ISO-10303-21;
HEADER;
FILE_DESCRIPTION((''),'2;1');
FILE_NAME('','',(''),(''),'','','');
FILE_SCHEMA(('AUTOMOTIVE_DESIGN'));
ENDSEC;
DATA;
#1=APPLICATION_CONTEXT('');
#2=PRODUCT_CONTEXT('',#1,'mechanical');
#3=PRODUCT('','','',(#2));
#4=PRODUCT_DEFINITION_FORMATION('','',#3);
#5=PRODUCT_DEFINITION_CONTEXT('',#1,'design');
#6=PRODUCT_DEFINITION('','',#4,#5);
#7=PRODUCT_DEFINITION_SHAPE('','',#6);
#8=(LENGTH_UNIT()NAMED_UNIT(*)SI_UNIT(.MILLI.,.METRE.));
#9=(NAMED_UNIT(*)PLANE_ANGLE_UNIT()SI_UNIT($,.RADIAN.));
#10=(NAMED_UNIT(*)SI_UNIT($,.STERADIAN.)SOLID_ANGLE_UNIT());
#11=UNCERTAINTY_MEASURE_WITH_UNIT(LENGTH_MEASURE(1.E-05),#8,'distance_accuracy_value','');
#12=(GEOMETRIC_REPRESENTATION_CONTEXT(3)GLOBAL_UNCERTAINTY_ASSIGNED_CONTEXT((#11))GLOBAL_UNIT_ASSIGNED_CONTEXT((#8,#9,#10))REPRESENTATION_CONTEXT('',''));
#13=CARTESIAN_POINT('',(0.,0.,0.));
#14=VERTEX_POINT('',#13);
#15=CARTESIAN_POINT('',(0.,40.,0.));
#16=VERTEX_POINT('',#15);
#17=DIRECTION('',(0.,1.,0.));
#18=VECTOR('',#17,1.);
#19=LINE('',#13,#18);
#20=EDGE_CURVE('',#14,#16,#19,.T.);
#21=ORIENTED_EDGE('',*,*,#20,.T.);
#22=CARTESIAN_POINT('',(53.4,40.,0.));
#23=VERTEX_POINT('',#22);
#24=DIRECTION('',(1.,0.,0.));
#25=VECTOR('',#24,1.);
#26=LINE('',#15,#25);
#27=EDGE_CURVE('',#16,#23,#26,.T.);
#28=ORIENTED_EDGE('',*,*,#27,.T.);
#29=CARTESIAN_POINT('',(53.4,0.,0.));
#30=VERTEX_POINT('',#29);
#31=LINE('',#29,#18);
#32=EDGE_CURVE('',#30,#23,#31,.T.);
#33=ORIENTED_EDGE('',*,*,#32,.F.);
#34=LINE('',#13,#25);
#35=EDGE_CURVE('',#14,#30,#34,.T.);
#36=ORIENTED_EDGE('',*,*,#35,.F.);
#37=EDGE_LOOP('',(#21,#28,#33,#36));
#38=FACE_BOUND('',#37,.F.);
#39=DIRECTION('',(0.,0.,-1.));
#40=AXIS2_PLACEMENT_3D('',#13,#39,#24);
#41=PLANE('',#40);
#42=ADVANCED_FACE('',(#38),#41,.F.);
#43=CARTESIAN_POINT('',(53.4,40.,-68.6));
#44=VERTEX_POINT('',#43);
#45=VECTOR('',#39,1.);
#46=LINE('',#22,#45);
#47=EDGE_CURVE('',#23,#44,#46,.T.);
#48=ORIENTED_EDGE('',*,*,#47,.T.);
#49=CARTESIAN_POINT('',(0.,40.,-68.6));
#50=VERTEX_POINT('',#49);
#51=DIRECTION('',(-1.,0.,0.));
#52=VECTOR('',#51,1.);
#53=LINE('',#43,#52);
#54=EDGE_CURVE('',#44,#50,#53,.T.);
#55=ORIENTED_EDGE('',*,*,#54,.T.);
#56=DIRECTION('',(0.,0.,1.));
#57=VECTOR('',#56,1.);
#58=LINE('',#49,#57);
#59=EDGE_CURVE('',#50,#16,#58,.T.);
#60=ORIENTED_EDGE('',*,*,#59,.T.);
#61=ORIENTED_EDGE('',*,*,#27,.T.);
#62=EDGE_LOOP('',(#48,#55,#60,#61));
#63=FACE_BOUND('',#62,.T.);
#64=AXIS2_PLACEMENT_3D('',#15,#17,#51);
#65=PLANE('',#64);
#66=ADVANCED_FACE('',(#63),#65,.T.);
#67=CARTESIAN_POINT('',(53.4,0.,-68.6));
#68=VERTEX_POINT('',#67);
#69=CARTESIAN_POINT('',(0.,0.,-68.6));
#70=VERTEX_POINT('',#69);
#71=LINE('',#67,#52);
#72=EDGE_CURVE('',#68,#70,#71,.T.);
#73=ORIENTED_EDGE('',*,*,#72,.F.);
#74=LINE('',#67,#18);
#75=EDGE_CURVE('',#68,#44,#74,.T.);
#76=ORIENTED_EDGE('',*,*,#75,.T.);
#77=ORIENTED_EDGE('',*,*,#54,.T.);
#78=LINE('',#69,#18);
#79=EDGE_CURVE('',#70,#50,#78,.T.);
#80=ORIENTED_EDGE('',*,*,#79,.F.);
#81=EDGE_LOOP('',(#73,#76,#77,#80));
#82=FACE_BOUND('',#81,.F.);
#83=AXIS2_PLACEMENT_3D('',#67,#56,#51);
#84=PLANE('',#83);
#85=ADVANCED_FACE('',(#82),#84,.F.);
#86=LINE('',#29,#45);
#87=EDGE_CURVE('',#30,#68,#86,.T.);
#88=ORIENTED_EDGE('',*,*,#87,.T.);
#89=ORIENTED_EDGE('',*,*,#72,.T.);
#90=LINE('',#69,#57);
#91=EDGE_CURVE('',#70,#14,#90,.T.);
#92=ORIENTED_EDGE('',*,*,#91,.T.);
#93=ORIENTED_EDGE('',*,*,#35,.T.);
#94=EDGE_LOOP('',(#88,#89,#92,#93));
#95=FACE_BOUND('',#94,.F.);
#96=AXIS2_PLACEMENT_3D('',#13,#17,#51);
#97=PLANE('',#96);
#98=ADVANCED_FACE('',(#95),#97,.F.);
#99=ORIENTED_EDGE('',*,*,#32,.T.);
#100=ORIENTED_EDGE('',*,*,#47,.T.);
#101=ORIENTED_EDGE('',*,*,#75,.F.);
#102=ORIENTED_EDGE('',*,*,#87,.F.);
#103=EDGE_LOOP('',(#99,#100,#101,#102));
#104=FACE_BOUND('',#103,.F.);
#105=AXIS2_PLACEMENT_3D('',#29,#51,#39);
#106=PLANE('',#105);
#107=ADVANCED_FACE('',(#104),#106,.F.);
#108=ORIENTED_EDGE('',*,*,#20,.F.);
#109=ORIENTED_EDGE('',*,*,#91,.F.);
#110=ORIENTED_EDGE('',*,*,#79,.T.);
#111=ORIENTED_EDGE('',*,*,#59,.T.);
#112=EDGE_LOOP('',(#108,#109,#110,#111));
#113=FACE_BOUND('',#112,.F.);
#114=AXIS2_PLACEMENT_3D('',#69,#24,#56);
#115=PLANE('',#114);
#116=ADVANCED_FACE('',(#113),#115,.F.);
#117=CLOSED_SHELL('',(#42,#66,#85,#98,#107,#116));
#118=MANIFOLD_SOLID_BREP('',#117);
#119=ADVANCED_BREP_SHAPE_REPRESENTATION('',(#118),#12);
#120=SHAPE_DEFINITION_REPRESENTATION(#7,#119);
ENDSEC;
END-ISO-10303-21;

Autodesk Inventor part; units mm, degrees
ref_plane "YZ Plane" through (0, 0, 0) normal (1, 0, 0) x (0, 1, 0)
ref_plane "XZ Plane" through (0, 0, 0) normal (0, 1, 0) x (-1, 0, 0)
ref_plane "XY Plane" through (0, 0, 0) normal (0, 0, 1) x (1, 0, 0)
sketch "Sketch1" plane through (0, 0, 0) normal (0, 1, 0) x (-1, 0, 0)
  line L0 (0, 0) -> (-53.4, 0)
  line L1 (-53.4, 0) -> (-53.4, -68.6)
  line L2 (-53.4, -68.6) -> (0, -68.6)
  line L3 (0, -68.6) -> (0, 0)
  dimension "d0" = 68.6
  dimension "d1" = 53.4
extrude "Extrusion1" add sketch "Sketch1" along normal blind 40
properties part number "arduino"
